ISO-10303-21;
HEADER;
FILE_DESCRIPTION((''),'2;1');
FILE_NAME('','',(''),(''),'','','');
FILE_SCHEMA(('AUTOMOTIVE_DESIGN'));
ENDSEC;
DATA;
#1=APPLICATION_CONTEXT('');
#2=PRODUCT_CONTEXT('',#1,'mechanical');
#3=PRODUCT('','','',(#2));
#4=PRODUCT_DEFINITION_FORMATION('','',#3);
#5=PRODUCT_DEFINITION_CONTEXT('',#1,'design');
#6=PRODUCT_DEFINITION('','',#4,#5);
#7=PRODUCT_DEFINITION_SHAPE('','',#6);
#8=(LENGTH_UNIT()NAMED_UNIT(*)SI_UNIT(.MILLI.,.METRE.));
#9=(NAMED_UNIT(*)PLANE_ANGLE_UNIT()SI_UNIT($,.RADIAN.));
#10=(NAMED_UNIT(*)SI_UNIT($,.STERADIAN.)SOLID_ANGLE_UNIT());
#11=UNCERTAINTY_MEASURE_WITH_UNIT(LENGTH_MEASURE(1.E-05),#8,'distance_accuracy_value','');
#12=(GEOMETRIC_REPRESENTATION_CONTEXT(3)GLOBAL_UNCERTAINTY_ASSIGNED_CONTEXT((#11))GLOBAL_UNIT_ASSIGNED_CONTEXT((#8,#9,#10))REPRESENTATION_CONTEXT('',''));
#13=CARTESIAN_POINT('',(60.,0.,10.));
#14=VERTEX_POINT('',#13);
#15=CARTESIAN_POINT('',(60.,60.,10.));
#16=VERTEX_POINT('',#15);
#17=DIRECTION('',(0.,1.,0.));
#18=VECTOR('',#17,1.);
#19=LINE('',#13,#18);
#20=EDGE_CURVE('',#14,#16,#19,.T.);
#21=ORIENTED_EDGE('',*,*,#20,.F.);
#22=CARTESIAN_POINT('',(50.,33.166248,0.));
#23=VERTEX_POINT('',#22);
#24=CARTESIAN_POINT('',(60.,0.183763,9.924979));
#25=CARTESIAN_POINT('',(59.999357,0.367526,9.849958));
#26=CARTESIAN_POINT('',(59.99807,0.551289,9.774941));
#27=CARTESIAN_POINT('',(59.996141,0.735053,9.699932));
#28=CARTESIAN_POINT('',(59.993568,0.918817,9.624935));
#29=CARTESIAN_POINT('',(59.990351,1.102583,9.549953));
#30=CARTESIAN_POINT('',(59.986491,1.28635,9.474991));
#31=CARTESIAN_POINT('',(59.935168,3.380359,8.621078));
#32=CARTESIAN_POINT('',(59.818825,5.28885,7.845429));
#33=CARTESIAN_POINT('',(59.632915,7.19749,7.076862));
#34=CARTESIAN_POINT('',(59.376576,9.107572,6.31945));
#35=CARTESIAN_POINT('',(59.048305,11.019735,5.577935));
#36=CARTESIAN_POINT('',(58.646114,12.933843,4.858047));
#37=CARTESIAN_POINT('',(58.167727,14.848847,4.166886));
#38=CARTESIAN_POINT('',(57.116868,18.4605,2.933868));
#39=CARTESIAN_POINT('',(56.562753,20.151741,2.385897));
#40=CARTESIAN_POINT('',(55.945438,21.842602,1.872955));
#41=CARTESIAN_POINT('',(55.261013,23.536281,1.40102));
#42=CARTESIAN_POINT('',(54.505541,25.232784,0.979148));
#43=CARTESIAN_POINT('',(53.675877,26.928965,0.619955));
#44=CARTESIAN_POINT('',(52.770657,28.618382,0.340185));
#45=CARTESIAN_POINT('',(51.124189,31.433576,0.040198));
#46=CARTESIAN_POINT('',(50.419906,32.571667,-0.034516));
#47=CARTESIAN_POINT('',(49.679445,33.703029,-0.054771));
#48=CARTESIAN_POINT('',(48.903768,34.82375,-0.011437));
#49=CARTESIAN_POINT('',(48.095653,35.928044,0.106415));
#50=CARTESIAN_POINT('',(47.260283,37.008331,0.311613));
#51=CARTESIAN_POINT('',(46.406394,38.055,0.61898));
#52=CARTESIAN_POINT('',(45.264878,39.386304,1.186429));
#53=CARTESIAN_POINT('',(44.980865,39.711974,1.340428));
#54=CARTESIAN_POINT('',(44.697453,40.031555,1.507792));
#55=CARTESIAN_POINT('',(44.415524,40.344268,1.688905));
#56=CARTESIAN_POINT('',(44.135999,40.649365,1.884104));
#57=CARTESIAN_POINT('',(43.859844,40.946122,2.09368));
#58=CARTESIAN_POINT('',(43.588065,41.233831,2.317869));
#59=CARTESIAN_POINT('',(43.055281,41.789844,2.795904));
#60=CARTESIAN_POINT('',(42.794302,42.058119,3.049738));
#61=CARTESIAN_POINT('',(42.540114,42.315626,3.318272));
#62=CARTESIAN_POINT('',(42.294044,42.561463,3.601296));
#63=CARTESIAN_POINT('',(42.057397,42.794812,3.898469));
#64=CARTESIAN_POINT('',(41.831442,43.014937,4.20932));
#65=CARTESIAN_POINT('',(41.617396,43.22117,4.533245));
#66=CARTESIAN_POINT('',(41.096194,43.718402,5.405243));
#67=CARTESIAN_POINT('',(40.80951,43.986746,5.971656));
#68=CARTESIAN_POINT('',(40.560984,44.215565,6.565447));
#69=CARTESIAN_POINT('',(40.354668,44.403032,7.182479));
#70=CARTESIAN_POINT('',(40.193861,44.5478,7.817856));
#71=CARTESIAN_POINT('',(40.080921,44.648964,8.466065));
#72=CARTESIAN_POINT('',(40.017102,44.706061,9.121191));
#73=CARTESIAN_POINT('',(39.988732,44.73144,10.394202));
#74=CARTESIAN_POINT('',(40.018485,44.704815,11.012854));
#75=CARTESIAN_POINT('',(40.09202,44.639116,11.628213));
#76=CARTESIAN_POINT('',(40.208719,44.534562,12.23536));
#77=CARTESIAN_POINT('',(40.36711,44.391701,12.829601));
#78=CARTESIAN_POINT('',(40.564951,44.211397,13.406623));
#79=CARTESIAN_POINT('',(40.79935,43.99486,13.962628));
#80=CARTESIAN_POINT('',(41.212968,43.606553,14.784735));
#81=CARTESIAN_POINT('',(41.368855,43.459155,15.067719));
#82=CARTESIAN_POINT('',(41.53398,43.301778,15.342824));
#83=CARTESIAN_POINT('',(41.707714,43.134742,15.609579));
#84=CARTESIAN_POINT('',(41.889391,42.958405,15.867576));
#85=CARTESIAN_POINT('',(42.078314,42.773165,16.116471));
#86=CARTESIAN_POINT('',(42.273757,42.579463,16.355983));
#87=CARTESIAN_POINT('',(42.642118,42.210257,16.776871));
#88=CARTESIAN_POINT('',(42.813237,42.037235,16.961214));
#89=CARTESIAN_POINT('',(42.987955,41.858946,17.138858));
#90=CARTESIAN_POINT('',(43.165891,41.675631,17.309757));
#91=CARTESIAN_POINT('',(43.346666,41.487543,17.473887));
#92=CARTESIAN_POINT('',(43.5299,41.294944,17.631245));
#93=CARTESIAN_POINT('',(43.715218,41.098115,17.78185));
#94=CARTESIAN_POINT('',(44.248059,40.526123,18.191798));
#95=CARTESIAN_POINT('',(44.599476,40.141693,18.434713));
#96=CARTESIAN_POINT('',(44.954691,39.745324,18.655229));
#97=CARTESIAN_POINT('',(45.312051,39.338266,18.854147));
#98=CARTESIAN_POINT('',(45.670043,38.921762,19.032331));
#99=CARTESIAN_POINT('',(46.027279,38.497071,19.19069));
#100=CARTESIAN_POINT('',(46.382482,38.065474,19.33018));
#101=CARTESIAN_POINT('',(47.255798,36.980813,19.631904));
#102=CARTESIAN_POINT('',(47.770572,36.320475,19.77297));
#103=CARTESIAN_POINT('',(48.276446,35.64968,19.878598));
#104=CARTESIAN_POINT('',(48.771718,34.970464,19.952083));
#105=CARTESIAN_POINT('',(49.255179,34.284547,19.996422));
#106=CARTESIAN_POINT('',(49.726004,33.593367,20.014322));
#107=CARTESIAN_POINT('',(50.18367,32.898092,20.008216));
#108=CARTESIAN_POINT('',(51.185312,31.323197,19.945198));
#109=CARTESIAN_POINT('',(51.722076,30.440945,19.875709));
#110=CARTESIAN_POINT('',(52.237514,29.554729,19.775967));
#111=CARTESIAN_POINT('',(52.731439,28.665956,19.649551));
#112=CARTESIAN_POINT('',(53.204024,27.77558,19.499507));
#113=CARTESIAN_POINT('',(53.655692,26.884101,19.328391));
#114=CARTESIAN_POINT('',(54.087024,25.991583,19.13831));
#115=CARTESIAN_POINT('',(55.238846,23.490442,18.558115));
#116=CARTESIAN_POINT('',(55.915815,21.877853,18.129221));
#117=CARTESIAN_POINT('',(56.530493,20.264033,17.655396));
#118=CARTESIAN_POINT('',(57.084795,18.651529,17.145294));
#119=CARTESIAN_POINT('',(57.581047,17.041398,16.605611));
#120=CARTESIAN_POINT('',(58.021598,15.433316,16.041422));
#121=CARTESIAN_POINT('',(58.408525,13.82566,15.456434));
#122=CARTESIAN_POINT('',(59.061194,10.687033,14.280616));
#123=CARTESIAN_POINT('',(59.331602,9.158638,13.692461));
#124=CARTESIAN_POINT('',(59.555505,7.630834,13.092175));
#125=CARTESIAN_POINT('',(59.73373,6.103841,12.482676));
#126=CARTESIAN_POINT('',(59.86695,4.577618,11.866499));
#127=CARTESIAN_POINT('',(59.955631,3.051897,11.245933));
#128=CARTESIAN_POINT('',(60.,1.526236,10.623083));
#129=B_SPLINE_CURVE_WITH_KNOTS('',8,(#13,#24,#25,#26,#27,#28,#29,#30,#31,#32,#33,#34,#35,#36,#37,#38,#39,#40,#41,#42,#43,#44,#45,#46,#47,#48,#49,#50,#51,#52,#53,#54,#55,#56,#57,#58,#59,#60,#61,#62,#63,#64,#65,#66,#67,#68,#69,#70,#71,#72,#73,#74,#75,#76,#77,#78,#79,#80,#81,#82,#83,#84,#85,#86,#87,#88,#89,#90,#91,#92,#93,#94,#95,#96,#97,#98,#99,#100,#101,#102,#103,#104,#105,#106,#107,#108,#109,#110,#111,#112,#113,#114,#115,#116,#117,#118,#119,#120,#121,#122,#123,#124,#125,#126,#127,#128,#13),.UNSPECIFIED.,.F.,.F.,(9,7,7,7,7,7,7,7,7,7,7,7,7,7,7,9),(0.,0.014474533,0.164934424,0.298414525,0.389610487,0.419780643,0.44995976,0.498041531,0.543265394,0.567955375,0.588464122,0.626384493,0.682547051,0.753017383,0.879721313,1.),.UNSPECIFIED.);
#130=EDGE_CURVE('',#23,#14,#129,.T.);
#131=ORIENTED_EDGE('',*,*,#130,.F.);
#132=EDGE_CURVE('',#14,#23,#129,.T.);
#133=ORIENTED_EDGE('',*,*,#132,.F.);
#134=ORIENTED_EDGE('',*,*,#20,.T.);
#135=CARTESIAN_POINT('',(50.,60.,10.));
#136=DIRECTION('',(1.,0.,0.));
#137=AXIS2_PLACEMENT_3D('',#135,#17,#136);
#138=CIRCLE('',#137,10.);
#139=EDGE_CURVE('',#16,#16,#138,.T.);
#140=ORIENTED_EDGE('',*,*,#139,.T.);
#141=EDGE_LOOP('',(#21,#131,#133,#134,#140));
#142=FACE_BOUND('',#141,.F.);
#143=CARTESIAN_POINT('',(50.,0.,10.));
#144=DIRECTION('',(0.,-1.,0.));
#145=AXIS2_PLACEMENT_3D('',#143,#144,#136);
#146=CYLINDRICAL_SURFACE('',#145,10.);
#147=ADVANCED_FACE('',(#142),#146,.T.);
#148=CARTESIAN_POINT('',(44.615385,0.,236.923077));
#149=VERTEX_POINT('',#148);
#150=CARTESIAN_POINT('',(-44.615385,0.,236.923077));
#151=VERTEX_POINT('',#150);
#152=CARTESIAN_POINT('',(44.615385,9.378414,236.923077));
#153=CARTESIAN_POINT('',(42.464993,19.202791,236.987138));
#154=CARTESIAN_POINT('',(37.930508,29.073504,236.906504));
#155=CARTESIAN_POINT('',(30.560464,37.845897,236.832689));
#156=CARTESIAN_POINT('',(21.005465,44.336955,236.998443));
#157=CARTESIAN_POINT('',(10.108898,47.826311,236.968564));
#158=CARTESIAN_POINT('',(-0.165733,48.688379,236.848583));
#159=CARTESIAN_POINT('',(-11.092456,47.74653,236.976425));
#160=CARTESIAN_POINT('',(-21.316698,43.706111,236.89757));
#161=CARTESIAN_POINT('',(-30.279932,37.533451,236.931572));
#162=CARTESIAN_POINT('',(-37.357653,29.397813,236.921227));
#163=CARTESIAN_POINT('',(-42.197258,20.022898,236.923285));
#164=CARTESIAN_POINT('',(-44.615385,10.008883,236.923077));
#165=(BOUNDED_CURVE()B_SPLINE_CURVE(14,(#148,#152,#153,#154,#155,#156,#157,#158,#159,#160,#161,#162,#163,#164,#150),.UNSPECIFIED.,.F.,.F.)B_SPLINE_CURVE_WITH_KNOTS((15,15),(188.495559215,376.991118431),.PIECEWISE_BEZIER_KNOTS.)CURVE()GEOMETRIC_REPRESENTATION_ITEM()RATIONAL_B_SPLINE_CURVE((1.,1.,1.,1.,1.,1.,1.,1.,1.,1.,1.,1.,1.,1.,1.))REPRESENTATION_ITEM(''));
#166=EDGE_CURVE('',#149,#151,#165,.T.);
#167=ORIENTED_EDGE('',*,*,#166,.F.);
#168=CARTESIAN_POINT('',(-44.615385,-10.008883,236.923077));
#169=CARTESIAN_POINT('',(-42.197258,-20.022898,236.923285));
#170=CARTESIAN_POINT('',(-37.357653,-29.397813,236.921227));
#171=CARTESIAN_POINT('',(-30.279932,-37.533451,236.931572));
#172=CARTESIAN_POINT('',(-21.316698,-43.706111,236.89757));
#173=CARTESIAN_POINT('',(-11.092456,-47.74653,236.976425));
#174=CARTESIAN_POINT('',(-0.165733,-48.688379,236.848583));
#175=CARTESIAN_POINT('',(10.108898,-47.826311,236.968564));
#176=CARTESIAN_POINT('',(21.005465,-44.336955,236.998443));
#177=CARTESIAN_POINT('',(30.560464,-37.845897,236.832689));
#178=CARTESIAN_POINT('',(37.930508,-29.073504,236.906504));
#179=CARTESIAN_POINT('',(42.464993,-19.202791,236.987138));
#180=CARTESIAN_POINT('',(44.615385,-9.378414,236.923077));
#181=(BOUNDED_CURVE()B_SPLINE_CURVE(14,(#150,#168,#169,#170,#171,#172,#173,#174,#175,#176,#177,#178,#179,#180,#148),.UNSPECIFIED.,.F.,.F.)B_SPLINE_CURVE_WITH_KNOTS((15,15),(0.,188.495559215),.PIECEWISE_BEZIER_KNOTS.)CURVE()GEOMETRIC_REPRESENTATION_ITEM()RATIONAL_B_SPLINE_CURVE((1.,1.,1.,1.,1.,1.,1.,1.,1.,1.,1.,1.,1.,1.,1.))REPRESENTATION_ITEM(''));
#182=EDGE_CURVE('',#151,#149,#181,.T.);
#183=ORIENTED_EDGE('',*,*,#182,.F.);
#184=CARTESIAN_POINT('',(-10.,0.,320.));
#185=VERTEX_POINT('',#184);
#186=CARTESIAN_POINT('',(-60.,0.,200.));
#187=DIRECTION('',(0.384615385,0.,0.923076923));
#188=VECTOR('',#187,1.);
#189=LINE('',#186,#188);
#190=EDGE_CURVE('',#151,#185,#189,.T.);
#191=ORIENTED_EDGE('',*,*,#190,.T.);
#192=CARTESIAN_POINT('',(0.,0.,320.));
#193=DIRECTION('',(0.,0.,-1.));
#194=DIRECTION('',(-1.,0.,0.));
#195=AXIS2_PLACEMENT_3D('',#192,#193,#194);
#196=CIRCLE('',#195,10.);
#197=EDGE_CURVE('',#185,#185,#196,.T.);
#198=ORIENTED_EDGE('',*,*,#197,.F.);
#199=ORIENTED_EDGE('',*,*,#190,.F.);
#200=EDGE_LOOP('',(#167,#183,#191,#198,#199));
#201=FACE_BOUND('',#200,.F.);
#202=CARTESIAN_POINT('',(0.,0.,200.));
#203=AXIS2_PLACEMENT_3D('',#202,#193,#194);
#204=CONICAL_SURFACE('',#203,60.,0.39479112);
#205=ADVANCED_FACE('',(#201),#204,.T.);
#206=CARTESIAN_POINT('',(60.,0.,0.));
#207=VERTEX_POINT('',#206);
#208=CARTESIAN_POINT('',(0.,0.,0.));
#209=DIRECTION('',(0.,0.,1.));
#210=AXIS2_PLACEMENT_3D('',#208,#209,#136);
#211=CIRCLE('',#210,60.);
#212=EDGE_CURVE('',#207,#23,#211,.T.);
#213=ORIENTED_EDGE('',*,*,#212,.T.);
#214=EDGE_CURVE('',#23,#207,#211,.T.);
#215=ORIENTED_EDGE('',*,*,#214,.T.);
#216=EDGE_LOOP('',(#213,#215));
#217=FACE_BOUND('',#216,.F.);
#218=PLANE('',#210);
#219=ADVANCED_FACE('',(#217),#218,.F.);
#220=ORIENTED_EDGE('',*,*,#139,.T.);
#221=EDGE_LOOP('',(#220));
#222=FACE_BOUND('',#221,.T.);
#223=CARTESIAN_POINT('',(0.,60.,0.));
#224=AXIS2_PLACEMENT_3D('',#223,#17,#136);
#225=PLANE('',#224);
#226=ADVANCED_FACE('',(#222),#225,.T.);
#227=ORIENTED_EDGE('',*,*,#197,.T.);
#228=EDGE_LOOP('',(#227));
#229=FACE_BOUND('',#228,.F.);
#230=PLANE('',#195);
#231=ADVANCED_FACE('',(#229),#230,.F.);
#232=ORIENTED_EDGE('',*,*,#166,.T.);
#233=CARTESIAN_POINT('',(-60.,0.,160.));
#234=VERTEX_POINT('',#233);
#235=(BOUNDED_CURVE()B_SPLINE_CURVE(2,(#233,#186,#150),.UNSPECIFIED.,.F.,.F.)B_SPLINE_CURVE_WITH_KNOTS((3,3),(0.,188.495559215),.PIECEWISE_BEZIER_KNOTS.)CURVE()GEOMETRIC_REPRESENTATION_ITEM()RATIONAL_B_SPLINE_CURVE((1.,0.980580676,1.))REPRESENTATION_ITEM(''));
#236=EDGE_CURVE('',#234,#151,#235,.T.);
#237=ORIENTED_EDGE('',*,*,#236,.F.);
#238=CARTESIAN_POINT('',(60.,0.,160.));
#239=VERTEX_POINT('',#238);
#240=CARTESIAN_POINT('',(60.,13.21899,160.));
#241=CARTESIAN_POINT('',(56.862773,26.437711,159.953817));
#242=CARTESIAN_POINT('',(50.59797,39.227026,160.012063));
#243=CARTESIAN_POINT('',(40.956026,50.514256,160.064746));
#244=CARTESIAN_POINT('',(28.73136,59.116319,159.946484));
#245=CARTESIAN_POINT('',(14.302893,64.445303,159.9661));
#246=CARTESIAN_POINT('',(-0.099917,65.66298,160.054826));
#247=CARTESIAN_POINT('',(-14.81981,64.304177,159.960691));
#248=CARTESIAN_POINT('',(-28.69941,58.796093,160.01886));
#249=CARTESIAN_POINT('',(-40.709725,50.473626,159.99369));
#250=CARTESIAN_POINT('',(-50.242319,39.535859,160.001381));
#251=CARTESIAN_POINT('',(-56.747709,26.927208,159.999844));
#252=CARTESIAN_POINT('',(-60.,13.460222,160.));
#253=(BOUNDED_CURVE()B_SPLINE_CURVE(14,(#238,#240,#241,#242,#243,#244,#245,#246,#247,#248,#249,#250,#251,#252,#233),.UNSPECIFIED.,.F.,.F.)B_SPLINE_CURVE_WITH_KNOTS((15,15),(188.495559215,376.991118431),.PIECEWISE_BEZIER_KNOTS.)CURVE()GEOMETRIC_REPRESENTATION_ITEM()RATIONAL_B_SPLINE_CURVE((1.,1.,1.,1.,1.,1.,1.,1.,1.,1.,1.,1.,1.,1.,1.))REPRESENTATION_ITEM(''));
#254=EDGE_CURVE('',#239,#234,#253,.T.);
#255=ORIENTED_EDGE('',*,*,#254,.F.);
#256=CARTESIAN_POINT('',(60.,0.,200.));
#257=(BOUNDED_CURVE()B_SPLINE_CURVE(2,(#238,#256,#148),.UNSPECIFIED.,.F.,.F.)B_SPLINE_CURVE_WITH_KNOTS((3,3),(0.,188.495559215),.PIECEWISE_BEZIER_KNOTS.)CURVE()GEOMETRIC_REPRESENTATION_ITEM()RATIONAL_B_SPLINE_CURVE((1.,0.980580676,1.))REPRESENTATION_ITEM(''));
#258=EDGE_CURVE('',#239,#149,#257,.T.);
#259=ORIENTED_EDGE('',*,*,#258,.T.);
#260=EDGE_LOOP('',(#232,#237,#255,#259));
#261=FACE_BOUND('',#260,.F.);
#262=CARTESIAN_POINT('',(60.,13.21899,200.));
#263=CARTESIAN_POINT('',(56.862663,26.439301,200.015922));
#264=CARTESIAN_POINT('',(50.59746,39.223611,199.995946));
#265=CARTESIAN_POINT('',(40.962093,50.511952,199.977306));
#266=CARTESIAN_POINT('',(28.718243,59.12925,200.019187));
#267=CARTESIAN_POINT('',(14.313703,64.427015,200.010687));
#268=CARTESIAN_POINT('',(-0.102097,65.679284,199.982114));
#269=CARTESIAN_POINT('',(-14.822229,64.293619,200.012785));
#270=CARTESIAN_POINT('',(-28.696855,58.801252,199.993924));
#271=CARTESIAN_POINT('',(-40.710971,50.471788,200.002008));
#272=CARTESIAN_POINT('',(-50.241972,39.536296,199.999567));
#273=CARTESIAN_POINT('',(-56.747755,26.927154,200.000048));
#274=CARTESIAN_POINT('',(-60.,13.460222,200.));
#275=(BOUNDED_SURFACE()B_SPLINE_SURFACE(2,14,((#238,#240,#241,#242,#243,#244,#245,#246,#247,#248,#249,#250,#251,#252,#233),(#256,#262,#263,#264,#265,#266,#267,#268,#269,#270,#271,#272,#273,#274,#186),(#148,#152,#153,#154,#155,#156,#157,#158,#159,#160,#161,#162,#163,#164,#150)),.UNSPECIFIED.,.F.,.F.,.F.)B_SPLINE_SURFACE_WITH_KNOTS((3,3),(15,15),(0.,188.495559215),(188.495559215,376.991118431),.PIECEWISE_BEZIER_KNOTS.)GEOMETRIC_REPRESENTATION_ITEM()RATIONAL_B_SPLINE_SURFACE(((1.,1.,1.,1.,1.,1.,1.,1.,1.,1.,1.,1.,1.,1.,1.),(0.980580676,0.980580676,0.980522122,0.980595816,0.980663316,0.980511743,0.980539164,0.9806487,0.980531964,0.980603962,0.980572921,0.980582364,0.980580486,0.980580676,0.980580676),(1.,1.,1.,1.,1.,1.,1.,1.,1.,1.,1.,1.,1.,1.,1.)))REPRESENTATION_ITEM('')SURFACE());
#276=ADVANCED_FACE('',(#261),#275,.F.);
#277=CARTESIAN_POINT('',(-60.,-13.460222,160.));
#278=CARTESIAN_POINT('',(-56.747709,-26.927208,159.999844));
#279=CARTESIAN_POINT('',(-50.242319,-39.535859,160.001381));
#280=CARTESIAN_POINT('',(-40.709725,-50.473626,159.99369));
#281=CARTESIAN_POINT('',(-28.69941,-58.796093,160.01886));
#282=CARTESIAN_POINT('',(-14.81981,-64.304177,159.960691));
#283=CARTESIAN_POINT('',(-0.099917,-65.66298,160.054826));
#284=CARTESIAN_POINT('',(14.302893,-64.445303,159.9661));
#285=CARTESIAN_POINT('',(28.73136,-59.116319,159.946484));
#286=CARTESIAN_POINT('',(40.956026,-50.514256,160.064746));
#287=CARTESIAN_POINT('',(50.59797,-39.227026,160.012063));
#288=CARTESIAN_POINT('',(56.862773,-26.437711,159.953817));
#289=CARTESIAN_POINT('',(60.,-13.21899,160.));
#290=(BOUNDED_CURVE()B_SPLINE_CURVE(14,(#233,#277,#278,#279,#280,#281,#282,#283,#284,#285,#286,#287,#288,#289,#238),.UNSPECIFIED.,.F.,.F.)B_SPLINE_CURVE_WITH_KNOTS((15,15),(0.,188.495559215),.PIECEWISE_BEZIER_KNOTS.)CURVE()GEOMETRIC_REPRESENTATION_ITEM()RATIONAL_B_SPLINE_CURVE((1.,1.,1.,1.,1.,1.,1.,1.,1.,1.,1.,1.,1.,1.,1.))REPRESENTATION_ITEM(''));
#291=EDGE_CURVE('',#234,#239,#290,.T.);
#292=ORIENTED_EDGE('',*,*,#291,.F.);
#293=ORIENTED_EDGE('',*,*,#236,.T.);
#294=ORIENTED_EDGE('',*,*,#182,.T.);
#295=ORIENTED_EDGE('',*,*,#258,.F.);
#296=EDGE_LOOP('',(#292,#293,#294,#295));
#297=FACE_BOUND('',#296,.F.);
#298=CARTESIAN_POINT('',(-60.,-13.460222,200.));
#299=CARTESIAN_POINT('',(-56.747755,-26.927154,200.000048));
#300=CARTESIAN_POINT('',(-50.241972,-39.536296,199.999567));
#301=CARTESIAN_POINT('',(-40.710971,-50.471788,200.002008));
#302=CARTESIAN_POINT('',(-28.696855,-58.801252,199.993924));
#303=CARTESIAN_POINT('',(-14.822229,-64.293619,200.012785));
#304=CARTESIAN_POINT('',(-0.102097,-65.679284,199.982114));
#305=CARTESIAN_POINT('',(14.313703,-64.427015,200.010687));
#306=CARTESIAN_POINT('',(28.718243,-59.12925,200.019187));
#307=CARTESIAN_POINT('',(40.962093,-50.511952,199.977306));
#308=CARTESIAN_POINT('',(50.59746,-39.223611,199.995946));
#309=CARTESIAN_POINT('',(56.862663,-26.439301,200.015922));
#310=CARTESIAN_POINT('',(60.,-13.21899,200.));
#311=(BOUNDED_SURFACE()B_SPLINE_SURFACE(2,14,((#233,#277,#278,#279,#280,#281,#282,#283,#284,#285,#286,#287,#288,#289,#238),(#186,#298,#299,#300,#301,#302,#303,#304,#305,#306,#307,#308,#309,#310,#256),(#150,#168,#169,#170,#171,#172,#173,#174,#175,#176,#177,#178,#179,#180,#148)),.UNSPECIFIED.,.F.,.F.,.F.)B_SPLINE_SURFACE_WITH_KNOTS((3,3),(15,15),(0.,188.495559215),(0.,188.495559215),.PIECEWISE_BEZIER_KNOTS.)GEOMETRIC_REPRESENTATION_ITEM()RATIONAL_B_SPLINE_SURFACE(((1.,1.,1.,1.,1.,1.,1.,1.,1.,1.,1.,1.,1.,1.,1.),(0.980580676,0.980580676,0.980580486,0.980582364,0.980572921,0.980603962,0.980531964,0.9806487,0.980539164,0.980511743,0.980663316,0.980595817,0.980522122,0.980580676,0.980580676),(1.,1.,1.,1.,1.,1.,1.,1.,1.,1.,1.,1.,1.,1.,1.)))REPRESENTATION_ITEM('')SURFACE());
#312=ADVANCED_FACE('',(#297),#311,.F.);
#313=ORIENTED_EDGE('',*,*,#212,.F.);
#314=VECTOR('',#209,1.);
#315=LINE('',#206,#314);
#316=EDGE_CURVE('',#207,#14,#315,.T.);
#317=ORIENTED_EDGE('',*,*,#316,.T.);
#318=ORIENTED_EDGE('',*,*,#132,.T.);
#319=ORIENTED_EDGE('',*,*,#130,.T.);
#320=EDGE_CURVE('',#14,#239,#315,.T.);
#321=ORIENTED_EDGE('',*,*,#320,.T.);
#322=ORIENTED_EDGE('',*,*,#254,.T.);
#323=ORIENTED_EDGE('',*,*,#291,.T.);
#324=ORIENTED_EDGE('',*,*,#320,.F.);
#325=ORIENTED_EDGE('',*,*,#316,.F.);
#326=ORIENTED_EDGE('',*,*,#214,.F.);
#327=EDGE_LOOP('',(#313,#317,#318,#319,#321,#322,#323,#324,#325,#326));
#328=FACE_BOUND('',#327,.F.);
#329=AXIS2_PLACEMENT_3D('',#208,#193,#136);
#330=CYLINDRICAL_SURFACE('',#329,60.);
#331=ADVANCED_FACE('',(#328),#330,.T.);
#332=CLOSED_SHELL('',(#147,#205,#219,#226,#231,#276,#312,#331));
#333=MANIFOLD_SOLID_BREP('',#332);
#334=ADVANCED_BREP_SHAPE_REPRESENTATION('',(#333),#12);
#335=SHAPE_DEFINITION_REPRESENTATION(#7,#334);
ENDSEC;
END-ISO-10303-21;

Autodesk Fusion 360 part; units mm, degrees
sketch "Sketch1" plane through (0, 0, 0) normal (0, 0, 1) x (1, 0, 0)
  circle A0 centre (0, 0) radius 60
  dimension "d1" = 120
extrude "Extrude1" add sketch "Sketch1" along normal blind 200
sketch "Sketch2" plane through (0, 0, 0) normal (0, 1, 0) x (1, 0, 0)
  line L0 (70, -110) -> (70, -115.5379)
  line L1 (-60, -200) -> (-10, -320)
  line L2 (-10, -320) -> (0, -320)
  line L3 (0, -320) -> (0, -200)
  line L4 (0, -200) -> (-60, -200)
revolve "Revolve1" add sketch "Sketch2" angle 360 about axis through (0, 0, 320) along (0, 0, -1)
fillet "Fillet1" radius 200 1 edges at (-55.9396, -21.6969, 200)
sketch "Sketch4" plane through (0, 0, 0) normal (0, 1, 0) x (1, 0, 0)
  circle A0 centre (50, -10) radius 10
extrude "Extrude2" add sketch "Sketch4" along normal blind 60
